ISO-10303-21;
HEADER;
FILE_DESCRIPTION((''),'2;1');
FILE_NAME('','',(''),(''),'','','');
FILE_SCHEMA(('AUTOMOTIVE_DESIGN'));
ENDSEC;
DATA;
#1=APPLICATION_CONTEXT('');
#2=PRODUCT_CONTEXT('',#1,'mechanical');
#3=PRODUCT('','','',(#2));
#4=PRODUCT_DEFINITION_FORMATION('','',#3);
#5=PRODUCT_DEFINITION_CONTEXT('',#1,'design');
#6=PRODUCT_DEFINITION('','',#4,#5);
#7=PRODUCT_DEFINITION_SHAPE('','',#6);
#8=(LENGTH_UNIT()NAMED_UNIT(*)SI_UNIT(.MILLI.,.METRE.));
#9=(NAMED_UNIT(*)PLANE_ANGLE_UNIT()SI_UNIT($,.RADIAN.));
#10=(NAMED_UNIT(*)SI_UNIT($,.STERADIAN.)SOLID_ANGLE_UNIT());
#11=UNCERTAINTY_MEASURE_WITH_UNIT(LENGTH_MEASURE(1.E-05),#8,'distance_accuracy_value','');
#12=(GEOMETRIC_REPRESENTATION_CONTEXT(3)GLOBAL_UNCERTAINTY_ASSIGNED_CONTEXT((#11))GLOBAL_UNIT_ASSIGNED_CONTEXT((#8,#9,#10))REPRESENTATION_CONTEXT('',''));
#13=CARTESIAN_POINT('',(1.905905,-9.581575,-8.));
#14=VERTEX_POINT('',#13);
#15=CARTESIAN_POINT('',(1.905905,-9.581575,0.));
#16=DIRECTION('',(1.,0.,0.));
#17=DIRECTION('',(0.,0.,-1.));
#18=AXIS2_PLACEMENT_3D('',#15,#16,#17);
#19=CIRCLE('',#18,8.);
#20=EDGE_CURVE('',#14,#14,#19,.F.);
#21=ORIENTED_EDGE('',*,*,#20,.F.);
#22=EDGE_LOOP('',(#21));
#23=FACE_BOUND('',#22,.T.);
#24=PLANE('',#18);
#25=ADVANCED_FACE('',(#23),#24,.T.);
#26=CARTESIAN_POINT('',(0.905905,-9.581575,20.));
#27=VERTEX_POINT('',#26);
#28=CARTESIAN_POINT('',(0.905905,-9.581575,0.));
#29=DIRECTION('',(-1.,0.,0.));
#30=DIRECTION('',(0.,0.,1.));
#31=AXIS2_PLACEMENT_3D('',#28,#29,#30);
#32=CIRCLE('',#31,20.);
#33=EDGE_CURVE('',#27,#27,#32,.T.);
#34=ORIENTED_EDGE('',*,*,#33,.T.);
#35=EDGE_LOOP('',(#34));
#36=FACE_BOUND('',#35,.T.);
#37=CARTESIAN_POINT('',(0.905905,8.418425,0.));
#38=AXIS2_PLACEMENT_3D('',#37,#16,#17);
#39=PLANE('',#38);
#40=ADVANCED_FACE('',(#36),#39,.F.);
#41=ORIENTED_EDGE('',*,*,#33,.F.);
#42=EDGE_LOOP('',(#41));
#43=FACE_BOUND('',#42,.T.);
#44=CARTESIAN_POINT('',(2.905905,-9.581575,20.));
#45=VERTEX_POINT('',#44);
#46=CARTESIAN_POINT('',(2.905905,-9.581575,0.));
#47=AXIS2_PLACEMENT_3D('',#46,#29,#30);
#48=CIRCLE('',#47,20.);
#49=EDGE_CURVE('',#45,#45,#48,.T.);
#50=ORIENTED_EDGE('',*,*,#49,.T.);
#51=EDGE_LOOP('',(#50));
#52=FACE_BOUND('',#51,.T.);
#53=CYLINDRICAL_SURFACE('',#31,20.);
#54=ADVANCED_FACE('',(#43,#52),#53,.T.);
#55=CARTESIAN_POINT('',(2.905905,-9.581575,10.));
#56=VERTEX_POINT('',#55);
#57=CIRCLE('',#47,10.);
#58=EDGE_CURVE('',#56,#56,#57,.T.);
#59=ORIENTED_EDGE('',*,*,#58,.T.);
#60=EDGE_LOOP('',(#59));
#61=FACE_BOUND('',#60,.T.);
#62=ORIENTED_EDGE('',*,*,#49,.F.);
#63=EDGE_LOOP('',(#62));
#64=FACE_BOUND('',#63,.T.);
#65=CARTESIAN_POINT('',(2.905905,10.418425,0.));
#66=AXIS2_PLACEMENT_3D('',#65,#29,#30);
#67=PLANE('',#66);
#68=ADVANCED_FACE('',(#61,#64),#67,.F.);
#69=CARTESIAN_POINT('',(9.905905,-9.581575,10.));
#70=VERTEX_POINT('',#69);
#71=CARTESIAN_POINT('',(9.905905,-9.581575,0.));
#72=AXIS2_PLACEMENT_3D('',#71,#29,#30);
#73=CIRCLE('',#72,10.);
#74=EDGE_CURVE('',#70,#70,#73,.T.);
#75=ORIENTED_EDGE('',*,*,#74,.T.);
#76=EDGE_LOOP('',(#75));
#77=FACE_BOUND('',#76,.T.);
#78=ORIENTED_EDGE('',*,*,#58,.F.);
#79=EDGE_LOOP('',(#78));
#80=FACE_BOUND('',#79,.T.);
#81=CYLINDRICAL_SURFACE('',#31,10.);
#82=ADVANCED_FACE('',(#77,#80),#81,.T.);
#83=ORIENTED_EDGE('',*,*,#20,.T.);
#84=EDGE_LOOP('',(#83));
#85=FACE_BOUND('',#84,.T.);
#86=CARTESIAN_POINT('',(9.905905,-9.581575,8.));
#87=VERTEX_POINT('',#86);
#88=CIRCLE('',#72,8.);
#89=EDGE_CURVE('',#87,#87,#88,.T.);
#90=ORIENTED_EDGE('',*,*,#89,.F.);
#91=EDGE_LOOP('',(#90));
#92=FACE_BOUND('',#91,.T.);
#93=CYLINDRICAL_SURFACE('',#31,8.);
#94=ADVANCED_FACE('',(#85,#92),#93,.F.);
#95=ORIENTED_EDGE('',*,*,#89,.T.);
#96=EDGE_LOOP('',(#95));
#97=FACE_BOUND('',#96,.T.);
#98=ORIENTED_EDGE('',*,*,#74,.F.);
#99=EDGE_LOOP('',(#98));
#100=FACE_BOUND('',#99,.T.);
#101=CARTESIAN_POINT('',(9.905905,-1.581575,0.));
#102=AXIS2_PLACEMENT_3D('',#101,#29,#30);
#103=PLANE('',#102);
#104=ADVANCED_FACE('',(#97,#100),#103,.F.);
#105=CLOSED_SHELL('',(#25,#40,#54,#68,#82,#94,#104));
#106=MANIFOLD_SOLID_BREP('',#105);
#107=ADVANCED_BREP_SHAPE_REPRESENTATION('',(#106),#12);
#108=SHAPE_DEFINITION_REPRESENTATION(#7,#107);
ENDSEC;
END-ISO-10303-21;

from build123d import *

# Parameters (mm, degrees)
BOSS_EXTRUDE1_START = -9
SKETCH2_R           = 10
BOSS_EXTRUDE1_DEPTH = 1


with BuildPart() as part:
    # Sketch1 → Revolve1 (revolve)
    with BuildSketch(Plane.XY, mode=Mode.PRIVATE) as revolve1_sk:
        Polygon((0.905904645, 10.418424893), (2.905904645, 10.418424893), (2.905904645, 0.418424893), (9.905904645, 0.418424893), (9.905904645, -1.581575107), (0.905904645, -1.581575107), (0.905904645, 8.418424893), align=None)
    revolve(revolve1_sk.sketch.rotate(Axis((0.905904645, -9.581575107, 0), (1, 0, 0)), 90), axis=Axis((0.905904645, -9.581575107, 0), (1, 0, 0)))

    # Sketch2 → Boss-Extrude1 (add)
    with BuildSketch(Plane(origin=(9.905904645, 0, 0), x_dir=(0, 0, -1), z_dir=(1, 0, 0)).offset(BOSS_EXTRUDE1_START)):
        with Locations(Location((0, -9.581575107, 0), (0, 0, 180))):
            Circle(SKETCH2_R)
    extrude(amount=BOSS_EXTRUDE1_DEPTH)


solid = part.part
